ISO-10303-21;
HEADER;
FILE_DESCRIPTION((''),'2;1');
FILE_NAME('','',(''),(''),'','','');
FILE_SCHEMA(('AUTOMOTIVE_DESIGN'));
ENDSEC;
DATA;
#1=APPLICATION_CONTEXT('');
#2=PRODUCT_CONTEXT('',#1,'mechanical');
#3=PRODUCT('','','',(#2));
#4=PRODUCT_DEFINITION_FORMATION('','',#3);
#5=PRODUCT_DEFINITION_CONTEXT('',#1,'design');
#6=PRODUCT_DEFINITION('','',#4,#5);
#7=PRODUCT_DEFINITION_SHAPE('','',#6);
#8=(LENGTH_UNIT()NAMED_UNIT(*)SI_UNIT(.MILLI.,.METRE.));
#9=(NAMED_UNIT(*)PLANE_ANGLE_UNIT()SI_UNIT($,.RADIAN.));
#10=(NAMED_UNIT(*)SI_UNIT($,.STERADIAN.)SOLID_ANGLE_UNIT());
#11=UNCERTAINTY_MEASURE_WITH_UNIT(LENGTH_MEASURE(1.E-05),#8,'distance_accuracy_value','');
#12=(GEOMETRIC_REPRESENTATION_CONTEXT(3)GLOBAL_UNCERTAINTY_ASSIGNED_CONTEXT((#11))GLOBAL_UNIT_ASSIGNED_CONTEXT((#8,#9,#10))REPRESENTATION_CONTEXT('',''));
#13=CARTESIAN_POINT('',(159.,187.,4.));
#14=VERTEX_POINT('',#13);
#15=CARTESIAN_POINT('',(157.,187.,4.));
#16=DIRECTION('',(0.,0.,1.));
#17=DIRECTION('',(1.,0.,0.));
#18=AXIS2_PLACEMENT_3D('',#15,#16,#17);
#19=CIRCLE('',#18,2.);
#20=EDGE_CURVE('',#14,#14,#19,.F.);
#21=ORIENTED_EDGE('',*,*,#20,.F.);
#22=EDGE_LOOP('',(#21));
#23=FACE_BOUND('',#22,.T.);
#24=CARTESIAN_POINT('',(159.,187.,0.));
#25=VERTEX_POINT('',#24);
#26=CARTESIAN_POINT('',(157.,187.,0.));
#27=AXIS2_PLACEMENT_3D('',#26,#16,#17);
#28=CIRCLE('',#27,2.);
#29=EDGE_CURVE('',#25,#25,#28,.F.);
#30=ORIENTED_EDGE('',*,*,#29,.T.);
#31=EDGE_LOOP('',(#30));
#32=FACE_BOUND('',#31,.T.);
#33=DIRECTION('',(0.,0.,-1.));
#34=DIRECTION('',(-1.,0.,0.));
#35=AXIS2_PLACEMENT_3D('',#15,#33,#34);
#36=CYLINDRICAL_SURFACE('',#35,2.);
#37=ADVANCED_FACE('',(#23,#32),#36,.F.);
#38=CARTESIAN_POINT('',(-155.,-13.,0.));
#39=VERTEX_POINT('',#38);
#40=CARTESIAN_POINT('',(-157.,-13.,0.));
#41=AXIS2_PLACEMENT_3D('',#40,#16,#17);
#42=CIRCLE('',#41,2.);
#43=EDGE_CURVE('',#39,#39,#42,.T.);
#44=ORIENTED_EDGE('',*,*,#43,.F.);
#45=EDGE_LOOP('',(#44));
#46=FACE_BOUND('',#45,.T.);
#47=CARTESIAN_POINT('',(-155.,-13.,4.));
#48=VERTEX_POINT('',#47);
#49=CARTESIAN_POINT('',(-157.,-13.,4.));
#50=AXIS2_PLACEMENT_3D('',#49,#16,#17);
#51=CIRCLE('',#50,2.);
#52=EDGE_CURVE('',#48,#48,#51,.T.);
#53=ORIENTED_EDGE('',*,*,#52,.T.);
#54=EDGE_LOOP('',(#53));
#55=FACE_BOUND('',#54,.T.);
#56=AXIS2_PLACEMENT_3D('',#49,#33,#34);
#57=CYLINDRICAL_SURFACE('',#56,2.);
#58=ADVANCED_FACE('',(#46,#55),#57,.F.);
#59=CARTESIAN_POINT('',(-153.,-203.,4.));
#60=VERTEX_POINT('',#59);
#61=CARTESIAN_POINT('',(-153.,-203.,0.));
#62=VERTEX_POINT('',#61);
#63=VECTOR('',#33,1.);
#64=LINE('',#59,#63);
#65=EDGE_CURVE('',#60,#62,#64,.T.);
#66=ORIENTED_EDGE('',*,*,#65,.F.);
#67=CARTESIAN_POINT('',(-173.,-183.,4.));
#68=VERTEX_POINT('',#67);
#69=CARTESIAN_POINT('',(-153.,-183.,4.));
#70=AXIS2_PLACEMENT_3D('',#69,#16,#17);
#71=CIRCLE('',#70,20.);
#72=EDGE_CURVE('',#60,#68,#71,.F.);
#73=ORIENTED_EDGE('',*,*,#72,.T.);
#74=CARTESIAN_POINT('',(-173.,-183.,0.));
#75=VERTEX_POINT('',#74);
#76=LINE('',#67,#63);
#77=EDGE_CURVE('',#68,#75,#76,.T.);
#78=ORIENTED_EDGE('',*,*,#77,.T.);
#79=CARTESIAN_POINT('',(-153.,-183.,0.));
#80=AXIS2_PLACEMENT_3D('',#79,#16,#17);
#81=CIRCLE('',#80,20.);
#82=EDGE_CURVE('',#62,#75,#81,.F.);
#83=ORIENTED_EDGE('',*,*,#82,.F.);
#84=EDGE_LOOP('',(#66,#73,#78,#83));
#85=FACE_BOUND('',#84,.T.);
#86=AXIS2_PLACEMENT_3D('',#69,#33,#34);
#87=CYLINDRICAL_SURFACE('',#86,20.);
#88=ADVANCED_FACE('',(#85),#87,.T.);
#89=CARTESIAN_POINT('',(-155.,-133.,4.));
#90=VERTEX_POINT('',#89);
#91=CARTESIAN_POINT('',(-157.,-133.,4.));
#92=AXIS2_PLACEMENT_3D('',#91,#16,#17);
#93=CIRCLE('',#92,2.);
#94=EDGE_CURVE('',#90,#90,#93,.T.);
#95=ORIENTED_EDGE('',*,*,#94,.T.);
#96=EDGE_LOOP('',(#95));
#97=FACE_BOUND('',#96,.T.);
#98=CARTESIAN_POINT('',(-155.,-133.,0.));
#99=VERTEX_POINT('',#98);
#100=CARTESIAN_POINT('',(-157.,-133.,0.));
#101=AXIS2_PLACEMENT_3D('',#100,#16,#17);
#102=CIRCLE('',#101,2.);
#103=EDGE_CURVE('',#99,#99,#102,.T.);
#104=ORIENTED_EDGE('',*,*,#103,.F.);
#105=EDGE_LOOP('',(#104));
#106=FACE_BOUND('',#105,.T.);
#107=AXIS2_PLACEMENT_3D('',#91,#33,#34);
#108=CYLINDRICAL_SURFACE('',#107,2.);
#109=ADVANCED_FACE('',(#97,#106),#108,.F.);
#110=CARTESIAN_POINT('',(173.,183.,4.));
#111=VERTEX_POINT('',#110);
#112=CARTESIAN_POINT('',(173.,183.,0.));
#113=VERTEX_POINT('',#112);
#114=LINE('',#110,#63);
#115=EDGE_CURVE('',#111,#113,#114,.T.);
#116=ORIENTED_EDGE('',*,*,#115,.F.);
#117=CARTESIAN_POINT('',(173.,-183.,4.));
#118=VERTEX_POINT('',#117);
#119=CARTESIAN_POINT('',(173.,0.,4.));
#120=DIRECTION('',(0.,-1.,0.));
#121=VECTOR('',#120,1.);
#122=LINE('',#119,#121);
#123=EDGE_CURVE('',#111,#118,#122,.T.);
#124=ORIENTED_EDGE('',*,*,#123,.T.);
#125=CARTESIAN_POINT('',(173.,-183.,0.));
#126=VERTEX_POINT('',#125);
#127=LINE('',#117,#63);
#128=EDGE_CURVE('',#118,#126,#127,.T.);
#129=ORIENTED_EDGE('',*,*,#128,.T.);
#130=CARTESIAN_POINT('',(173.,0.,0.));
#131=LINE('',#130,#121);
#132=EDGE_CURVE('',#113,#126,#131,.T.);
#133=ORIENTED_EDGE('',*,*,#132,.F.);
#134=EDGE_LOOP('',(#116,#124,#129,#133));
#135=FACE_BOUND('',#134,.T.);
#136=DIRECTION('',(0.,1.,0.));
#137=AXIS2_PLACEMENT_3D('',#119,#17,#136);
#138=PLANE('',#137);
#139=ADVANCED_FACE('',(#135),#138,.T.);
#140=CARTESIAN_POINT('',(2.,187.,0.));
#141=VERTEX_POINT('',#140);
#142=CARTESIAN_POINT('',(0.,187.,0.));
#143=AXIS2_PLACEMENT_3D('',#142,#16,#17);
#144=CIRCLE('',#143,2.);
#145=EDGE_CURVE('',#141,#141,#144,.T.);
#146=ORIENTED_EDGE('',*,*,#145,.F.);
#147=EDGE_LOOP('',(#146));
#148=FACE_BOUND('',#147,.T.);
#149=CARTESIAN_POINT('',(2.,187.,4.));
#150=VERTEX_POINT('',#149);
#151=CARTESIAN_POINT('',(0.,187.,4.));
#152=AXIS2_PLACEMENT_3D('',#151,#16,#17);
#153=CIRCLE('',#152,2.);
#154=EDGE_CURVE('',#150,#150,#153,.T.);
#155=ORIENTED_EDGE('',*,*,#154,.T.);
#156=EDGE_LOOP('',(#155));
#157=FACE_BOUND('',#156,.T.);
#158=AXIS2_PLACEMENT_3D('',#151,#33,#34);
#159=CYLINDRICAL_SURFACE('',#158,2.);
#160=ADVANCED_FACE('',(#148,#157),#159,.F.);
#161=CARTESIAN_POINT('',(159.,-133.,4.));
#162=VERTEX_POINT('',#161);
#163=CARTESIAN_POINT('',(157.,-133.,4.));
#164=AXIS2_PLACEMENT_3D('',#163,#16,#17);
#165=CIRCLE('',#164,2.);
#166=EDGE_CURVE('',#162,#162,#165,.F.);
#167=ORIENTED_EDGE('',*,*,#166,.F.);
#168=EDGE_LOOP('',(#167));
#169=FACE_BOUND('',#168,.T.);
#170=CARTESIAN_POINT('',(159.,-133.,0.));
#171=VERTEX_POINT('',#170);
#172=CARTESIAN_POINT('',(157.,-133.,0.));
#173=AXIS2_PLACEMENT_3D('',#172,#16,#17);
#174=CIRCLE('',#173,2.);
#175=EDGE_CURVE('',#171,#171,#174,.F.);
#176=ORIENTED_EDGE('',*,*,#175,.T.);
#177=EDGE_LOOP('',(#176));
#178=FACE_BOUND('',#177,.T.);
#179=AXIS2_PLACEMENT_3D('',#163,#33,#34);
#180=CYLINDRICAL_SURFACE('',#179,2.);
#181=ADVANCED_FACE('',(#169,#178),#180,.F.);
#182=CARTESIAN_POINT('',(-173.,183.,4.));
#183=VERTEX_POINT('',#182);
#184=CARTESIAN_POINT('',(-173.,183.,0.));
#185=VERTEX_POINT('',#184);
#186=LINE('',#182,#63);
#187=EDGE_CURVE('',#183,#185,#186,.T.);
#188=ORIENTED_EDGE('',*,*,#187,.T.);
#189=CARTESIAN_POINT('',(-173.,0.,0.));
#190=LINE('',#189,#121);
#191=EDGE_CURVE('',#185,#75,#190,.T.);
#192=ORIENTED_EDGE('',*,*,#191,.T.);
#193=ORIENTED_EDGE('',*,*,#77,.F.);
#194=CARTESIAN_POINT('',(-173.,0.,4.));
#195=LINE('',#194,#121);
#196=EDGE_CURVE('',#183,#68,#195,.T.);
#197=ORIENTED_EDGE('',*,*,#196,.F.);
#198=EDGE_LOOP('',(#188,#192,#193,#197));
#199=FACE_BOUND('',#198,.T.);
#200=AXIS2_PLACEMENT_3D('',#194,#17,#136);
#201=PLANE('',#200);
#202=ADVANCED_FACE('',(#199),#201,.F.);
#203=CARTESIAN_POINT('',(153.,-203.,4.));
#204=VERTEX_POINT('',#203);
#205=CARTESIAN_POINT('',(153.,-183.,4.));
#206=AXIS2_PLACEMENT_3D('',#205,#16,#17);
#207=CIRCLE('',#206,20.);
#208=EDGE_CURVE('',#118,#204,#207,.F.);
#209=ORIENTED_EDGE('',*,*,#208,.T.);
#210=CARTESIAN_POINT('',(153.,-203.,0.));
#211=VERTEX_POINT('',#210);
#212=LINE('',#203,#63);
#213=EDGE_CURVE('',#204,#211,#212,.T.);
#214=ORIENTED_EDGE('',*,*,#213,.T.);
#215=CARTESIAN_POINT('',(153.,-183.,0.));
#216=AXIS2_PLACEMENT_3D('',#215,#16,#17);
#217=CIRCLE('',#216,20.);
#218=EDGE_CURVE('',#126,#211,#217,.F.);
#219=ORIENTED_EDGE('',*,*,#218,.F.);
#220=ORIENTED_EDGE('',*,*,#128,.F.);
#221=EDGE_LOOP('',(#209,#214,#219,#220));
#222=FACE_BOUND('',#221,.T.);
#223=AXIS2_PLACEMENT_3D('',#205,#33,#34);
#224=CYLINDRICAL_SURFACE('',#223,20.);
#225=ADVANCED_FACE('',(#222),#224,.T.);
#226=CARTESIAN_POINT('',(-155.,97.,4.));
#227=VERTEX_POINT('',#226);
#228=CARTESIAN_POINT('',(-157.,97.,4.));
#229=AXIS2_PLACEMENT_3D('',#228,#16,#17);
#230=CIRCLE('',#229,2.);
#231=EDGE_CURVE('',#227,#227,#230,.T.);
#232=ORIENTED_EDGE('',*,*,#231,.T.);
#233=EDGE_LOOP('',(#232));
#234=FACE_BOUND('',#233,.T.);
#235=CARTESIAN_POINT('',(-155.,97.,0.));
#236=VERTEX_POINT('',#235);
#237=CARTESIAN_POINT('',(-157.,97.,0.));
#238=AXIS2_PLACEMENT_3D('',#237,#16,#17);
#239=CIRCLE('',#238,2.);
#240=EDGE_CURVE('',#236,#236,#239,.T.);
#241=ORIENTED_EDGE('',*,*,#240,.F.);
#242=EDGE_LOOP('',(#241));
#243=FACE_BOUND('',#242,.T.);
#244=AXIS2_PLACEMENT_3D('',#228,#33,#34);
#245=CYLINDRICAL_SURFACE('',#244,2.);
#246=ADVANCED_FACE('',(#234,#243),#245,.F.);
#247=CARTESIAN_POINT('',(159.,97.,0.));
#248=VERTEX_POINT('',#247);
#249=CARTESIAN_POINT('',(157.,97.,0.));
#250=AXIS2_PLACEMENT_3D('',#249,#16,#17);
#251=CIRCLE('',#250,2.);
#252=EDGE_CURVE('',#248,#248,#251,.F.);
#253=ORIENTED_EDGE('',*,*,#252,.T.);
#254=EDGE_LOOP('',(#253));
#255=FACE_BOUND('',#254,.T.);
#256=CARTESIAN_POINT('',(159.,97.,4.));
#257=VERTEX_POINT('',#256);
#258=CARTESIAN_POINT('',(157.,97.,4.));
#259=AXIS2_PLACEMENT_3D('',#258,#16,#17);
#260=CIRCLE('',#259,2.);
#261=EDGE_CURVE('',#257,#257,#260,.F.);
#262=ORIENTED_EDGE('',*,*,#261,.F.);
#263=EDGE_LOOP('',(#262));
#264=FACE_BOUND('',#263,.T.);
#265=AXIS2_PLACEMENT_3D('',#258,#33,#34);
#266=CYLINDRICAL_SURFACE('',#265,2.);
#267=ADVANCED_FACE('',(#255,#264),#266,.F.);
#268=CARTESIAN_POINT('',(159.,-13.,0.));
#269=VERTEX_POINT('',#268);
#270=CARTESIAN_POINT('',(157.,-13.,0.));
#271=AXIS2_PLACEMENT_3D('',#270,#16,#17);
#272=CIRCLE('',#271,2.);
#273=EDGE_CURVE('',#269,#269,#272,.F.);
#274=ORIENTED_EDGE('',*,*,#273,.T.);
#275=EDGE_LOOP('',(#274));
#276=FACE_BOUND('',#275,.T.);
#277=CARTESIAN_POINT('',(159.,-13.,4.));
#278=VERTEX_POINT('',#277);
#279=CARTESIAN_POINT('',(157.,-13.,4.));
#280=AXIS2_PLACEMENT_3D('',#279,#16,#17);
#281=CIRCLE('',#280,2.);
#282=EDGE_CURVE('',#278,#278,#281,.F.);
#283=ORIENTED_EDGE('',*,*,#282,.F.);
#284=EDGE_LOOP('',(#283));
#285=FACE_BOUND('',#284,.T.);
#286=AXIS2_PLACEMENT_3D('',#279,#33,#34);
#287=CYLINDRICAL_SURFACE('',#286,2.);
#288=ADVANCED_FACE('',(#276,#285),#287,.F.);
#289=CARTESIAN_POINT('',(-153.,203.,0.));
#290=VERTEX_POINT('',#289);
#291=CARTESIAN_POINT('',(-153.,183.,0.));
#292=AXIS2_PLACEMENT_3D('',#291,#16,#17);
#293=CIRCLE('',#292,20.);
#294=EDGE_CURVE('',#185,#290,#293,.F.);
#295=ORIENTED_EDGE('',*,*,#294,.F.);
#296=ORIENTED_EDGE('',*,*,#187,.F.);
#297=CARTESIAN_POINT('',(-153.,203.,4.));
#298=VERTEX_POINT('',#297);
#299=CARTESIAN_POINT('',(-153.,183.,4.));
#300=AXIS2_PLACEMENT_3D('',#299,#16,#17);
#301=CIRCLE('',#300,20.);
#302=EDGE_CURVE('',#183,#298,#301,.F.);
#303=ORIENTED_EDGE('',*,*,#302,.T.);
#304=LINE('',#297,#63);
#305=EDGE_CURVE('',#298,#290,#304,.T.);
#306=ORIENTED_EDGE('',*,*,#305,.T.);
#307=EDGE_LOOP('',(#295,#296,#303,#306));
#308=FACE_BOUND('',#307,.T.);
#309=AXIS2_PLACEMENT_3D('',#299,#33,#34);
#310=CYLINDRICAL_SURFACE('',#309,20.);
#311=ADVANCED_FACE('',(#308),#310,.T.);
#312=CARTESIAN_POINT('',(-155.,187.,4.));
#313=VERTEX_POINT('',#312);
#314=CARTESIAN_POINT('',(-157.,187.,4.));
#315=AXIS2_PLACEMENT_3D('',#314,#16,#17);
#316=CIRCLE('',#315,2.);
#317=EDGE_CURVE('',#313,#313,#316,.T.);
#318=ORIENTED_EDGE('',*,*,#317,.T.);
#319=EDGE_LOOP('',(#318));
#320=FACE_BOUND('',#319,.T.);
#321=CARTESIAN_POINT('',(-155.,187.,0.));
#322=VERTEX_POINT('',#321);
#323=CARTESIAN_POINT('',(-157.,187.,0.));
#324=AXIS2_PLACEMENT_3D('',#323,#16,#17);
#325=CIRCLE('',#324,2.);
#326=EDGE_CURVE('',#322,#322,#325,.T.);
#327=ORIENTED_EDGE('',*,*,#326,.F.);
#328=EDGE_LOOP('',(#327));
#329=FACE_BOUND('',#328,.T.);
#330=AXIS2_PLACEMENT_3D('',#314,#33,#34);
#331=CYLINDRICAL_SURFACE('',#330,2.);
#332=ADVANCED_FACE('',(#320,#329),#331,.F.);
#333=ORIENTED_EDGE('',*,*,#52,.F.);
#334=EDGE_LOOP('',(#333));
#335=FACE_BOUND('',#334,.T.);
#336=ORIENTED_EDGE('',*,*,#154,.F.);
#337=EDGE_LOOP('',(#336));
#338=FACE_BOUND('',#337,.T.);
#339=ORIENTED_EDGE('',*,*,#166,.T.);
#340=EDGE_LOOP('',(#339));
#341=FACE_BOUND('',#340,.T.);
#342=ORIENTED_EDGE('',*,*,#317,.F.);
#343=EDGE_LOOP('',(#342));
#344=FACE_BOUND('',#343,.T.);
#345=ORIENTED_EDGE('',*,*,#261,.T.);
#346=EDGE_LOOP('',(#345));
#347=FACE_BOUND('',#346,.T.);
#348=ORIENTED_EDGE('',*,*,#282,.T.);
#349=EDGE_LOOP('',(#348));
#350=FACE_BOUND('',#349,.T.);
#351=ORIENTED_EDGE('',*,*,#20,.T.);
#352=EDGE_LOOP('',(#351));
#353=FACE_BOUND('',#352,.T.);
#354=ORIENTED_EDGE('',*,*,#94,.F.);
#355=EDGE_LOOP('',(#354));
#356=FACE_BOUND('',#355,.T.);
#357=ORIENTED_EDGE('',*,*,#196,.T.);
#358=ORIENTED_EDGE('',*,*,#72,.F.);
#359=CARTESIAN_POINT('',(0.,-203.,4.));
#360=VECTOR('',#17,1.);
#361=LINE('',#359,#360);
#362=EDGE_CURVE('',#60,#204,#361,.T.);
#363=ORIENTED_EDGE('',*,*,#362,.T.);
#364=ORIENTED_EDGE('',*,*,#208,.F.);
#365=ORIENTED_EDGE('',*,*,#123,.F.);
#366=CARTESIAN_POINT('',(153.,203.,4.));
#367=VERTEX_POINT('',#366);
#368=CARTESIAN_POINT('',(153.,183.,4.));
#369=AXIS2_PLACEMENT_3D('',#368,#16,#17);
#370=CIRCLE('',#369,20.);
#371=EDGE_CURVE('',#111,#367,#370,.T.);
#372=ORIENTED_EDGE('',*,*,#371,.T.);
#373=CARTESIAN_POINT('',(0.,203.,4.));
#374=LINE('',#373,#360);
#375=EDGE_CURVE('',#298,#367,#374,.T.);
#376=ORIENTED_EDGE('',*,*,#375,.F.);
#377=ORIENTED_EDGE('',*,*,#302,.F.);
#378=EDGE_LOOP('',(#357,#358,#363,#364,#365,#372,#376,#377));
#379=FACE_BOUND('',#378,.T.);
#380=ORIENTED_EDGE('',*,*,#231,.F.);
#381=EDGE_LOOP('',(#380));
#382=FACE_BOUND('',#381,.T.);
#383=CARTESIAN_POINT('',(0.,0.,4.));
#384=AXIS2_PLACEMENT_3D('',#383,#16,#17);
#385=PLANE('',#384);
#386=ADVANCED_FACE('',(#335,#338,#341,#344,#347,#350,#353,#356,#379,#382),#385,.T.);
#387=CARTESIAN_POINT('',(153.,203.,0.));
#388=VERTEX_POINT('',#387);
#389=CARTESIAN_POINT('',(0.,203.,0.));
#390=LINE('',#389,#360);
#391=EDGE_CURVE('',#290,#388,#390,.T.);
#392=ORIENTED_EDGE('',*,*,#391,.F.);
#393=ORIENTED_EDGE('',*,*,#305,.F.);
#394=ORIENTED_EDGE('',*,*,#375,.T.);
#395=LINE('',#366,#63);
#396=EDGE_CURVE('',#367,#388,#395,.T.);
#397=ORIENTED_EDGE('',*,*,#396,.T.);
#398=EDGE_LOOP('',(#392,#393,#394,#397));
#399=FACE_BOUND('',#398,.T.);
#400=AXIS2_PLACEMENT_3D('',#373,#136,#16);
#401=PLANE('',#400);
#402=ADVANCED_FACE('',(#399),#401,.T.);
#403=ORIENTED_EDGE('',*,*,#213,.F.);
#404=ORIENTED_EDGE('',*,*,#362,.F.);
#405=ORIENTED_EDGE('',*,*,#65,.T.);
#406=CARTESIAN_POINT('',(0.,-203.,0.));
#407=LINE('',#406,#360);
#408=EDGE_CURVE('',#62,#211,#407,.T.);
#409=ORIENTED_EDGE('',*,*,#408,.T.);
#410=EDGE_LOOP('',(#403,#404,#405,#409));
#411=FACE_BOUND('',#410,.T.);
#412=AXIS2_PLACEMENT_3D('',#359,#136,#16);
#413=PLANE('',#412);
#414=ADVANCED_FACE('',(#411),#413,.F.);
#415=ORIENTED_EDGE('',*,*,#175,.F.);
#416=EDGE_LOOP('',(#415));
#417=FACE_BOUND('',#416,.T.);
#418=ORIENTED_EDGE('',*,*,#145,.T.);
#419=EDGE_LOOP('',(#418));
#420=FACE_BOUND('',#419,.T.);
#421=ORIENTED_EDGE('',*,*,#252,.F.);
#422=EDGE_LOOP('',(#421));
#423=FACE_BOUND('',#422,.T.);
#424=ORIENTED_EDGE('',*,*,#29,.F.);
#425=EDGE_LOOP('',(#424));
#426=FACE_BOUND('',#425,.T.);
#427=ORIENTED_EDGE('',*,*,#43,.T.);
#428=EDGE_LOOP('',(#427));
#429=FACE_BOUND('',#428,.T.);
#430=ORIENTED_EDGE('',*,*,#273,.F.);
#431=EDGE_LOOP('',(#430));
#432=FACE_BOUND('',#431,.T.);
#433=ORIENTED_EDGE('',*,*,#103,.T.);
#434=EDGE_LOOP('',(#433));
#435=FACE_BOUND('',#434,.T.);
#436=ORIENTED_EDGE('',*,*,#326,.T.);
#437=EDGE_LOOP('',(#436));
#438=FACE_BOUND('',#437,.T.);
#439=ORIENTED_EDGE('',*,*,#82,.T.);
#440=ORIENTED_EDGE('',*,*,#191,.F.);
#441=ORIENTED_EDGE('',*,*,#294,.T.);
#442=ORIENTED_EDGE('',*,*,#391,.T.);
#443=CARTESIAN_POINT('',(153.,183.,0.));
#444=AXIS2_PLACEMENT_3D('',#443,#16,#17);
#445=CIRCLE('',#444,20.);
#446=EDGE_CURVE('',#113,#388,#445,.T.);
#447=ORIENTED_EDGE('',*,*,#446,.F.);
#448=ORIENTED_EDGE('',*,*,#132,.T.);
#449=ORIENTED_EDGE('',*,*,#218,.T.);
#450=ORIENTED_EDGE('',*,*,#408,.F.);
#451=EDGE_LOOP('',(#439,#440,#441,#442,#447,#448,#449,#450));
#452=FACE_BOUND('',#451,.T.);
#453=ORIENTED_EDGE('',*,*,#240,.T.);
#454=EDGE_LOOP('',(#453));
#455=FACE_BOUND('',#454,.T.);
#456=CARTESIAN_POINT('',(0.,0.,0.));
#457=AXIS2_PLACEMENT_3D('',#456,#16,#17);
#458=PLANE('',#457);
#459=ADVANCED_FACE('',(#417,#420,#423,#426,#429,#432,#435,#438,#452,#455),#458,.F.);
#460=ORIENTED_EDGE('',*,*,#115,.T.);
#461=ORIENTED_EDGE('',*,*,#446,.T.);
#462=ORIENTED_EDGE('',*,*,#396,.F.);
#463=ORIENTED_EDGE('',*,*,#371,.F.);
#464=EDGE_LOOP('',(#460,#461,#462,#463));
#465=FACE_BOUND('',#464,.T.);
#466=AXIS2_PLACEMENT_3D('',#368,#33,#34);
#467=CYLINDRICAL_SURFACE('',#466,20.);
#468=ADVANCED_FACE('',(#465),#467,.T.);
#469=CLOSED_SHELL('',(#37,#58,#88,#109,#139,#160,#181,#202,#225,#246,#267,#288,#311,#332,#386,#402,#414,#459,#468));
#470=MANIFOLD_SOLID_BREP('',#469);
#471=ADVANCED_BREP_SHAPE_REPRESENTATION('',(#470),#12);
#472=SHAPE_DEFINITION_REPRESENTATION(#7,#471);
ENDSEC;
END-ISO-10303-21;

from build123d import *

# Parameters (mm, degrees)
SKETCH1_R           = 2
BOSS_EXTRUDE1_DEPTH = 4


with BuildPart() as part:
    # Sketch1 → Boss-Extrude1 (new body)
    with BuildSketch(Plane.XY):
        with BuildLine():
            Line((-153, 203), (153, 203))
            ThreePointArc((153, 203), (167.142135624, 197.142135624), (173, 183))
            Line((173, 183), (173, -183))
            ThreePointArc((173, -183), (167.142135624, -197.142135624), (153, -203))
            Line((153, -203), (-153, -203))
            ThreePointArc((-153, -203), (-167.142135624, -197.142135624), (-173, -183))
            Line((-173, -183), (-173, 183))
            ThreePointArc((-173, 183), (-167.142135624, 197.142135624), (-153, 203))
        make_face()
        with Locations((-157, 187)):
            Circle(SKETCH1_R, mode=Mode.SUBTRACT)
        with Locations((-157, 97)):
            Circle(SKETCH1_R, mode=Mode.SUBTRACT)
        with Locations((-157, -13)):
            Circle(SKETCH1_R, mode=Mode.SUBTRACT)
        with Locations((-157, -133)):
            Circle(SKETCH1_R, mode=Mode.SUBTRACT)
        with Locations((157, -133)):
            Circle(SKETCH1_R, mode=Mode.SUBTRACT)
        with Locations((157, -13)):
            Circle(SKETCH1_R, mode=Mode.SUBTRACT)
        with Locations((157, 97)):
            Circle(SKETCH1_R, mode=Mode.SUBTRACT)
        with Locations((157, 187)):
            Circle(SKETCH1_R, mode=Mode.SUBTRACT)
        with Locations((0, 187)):
            Circle(SKETCH1_R, mode=Mode.SUBTRACT)
    extrude(amount=BOSS_EXTRUDE1_DEPTH)


solid = part.part
